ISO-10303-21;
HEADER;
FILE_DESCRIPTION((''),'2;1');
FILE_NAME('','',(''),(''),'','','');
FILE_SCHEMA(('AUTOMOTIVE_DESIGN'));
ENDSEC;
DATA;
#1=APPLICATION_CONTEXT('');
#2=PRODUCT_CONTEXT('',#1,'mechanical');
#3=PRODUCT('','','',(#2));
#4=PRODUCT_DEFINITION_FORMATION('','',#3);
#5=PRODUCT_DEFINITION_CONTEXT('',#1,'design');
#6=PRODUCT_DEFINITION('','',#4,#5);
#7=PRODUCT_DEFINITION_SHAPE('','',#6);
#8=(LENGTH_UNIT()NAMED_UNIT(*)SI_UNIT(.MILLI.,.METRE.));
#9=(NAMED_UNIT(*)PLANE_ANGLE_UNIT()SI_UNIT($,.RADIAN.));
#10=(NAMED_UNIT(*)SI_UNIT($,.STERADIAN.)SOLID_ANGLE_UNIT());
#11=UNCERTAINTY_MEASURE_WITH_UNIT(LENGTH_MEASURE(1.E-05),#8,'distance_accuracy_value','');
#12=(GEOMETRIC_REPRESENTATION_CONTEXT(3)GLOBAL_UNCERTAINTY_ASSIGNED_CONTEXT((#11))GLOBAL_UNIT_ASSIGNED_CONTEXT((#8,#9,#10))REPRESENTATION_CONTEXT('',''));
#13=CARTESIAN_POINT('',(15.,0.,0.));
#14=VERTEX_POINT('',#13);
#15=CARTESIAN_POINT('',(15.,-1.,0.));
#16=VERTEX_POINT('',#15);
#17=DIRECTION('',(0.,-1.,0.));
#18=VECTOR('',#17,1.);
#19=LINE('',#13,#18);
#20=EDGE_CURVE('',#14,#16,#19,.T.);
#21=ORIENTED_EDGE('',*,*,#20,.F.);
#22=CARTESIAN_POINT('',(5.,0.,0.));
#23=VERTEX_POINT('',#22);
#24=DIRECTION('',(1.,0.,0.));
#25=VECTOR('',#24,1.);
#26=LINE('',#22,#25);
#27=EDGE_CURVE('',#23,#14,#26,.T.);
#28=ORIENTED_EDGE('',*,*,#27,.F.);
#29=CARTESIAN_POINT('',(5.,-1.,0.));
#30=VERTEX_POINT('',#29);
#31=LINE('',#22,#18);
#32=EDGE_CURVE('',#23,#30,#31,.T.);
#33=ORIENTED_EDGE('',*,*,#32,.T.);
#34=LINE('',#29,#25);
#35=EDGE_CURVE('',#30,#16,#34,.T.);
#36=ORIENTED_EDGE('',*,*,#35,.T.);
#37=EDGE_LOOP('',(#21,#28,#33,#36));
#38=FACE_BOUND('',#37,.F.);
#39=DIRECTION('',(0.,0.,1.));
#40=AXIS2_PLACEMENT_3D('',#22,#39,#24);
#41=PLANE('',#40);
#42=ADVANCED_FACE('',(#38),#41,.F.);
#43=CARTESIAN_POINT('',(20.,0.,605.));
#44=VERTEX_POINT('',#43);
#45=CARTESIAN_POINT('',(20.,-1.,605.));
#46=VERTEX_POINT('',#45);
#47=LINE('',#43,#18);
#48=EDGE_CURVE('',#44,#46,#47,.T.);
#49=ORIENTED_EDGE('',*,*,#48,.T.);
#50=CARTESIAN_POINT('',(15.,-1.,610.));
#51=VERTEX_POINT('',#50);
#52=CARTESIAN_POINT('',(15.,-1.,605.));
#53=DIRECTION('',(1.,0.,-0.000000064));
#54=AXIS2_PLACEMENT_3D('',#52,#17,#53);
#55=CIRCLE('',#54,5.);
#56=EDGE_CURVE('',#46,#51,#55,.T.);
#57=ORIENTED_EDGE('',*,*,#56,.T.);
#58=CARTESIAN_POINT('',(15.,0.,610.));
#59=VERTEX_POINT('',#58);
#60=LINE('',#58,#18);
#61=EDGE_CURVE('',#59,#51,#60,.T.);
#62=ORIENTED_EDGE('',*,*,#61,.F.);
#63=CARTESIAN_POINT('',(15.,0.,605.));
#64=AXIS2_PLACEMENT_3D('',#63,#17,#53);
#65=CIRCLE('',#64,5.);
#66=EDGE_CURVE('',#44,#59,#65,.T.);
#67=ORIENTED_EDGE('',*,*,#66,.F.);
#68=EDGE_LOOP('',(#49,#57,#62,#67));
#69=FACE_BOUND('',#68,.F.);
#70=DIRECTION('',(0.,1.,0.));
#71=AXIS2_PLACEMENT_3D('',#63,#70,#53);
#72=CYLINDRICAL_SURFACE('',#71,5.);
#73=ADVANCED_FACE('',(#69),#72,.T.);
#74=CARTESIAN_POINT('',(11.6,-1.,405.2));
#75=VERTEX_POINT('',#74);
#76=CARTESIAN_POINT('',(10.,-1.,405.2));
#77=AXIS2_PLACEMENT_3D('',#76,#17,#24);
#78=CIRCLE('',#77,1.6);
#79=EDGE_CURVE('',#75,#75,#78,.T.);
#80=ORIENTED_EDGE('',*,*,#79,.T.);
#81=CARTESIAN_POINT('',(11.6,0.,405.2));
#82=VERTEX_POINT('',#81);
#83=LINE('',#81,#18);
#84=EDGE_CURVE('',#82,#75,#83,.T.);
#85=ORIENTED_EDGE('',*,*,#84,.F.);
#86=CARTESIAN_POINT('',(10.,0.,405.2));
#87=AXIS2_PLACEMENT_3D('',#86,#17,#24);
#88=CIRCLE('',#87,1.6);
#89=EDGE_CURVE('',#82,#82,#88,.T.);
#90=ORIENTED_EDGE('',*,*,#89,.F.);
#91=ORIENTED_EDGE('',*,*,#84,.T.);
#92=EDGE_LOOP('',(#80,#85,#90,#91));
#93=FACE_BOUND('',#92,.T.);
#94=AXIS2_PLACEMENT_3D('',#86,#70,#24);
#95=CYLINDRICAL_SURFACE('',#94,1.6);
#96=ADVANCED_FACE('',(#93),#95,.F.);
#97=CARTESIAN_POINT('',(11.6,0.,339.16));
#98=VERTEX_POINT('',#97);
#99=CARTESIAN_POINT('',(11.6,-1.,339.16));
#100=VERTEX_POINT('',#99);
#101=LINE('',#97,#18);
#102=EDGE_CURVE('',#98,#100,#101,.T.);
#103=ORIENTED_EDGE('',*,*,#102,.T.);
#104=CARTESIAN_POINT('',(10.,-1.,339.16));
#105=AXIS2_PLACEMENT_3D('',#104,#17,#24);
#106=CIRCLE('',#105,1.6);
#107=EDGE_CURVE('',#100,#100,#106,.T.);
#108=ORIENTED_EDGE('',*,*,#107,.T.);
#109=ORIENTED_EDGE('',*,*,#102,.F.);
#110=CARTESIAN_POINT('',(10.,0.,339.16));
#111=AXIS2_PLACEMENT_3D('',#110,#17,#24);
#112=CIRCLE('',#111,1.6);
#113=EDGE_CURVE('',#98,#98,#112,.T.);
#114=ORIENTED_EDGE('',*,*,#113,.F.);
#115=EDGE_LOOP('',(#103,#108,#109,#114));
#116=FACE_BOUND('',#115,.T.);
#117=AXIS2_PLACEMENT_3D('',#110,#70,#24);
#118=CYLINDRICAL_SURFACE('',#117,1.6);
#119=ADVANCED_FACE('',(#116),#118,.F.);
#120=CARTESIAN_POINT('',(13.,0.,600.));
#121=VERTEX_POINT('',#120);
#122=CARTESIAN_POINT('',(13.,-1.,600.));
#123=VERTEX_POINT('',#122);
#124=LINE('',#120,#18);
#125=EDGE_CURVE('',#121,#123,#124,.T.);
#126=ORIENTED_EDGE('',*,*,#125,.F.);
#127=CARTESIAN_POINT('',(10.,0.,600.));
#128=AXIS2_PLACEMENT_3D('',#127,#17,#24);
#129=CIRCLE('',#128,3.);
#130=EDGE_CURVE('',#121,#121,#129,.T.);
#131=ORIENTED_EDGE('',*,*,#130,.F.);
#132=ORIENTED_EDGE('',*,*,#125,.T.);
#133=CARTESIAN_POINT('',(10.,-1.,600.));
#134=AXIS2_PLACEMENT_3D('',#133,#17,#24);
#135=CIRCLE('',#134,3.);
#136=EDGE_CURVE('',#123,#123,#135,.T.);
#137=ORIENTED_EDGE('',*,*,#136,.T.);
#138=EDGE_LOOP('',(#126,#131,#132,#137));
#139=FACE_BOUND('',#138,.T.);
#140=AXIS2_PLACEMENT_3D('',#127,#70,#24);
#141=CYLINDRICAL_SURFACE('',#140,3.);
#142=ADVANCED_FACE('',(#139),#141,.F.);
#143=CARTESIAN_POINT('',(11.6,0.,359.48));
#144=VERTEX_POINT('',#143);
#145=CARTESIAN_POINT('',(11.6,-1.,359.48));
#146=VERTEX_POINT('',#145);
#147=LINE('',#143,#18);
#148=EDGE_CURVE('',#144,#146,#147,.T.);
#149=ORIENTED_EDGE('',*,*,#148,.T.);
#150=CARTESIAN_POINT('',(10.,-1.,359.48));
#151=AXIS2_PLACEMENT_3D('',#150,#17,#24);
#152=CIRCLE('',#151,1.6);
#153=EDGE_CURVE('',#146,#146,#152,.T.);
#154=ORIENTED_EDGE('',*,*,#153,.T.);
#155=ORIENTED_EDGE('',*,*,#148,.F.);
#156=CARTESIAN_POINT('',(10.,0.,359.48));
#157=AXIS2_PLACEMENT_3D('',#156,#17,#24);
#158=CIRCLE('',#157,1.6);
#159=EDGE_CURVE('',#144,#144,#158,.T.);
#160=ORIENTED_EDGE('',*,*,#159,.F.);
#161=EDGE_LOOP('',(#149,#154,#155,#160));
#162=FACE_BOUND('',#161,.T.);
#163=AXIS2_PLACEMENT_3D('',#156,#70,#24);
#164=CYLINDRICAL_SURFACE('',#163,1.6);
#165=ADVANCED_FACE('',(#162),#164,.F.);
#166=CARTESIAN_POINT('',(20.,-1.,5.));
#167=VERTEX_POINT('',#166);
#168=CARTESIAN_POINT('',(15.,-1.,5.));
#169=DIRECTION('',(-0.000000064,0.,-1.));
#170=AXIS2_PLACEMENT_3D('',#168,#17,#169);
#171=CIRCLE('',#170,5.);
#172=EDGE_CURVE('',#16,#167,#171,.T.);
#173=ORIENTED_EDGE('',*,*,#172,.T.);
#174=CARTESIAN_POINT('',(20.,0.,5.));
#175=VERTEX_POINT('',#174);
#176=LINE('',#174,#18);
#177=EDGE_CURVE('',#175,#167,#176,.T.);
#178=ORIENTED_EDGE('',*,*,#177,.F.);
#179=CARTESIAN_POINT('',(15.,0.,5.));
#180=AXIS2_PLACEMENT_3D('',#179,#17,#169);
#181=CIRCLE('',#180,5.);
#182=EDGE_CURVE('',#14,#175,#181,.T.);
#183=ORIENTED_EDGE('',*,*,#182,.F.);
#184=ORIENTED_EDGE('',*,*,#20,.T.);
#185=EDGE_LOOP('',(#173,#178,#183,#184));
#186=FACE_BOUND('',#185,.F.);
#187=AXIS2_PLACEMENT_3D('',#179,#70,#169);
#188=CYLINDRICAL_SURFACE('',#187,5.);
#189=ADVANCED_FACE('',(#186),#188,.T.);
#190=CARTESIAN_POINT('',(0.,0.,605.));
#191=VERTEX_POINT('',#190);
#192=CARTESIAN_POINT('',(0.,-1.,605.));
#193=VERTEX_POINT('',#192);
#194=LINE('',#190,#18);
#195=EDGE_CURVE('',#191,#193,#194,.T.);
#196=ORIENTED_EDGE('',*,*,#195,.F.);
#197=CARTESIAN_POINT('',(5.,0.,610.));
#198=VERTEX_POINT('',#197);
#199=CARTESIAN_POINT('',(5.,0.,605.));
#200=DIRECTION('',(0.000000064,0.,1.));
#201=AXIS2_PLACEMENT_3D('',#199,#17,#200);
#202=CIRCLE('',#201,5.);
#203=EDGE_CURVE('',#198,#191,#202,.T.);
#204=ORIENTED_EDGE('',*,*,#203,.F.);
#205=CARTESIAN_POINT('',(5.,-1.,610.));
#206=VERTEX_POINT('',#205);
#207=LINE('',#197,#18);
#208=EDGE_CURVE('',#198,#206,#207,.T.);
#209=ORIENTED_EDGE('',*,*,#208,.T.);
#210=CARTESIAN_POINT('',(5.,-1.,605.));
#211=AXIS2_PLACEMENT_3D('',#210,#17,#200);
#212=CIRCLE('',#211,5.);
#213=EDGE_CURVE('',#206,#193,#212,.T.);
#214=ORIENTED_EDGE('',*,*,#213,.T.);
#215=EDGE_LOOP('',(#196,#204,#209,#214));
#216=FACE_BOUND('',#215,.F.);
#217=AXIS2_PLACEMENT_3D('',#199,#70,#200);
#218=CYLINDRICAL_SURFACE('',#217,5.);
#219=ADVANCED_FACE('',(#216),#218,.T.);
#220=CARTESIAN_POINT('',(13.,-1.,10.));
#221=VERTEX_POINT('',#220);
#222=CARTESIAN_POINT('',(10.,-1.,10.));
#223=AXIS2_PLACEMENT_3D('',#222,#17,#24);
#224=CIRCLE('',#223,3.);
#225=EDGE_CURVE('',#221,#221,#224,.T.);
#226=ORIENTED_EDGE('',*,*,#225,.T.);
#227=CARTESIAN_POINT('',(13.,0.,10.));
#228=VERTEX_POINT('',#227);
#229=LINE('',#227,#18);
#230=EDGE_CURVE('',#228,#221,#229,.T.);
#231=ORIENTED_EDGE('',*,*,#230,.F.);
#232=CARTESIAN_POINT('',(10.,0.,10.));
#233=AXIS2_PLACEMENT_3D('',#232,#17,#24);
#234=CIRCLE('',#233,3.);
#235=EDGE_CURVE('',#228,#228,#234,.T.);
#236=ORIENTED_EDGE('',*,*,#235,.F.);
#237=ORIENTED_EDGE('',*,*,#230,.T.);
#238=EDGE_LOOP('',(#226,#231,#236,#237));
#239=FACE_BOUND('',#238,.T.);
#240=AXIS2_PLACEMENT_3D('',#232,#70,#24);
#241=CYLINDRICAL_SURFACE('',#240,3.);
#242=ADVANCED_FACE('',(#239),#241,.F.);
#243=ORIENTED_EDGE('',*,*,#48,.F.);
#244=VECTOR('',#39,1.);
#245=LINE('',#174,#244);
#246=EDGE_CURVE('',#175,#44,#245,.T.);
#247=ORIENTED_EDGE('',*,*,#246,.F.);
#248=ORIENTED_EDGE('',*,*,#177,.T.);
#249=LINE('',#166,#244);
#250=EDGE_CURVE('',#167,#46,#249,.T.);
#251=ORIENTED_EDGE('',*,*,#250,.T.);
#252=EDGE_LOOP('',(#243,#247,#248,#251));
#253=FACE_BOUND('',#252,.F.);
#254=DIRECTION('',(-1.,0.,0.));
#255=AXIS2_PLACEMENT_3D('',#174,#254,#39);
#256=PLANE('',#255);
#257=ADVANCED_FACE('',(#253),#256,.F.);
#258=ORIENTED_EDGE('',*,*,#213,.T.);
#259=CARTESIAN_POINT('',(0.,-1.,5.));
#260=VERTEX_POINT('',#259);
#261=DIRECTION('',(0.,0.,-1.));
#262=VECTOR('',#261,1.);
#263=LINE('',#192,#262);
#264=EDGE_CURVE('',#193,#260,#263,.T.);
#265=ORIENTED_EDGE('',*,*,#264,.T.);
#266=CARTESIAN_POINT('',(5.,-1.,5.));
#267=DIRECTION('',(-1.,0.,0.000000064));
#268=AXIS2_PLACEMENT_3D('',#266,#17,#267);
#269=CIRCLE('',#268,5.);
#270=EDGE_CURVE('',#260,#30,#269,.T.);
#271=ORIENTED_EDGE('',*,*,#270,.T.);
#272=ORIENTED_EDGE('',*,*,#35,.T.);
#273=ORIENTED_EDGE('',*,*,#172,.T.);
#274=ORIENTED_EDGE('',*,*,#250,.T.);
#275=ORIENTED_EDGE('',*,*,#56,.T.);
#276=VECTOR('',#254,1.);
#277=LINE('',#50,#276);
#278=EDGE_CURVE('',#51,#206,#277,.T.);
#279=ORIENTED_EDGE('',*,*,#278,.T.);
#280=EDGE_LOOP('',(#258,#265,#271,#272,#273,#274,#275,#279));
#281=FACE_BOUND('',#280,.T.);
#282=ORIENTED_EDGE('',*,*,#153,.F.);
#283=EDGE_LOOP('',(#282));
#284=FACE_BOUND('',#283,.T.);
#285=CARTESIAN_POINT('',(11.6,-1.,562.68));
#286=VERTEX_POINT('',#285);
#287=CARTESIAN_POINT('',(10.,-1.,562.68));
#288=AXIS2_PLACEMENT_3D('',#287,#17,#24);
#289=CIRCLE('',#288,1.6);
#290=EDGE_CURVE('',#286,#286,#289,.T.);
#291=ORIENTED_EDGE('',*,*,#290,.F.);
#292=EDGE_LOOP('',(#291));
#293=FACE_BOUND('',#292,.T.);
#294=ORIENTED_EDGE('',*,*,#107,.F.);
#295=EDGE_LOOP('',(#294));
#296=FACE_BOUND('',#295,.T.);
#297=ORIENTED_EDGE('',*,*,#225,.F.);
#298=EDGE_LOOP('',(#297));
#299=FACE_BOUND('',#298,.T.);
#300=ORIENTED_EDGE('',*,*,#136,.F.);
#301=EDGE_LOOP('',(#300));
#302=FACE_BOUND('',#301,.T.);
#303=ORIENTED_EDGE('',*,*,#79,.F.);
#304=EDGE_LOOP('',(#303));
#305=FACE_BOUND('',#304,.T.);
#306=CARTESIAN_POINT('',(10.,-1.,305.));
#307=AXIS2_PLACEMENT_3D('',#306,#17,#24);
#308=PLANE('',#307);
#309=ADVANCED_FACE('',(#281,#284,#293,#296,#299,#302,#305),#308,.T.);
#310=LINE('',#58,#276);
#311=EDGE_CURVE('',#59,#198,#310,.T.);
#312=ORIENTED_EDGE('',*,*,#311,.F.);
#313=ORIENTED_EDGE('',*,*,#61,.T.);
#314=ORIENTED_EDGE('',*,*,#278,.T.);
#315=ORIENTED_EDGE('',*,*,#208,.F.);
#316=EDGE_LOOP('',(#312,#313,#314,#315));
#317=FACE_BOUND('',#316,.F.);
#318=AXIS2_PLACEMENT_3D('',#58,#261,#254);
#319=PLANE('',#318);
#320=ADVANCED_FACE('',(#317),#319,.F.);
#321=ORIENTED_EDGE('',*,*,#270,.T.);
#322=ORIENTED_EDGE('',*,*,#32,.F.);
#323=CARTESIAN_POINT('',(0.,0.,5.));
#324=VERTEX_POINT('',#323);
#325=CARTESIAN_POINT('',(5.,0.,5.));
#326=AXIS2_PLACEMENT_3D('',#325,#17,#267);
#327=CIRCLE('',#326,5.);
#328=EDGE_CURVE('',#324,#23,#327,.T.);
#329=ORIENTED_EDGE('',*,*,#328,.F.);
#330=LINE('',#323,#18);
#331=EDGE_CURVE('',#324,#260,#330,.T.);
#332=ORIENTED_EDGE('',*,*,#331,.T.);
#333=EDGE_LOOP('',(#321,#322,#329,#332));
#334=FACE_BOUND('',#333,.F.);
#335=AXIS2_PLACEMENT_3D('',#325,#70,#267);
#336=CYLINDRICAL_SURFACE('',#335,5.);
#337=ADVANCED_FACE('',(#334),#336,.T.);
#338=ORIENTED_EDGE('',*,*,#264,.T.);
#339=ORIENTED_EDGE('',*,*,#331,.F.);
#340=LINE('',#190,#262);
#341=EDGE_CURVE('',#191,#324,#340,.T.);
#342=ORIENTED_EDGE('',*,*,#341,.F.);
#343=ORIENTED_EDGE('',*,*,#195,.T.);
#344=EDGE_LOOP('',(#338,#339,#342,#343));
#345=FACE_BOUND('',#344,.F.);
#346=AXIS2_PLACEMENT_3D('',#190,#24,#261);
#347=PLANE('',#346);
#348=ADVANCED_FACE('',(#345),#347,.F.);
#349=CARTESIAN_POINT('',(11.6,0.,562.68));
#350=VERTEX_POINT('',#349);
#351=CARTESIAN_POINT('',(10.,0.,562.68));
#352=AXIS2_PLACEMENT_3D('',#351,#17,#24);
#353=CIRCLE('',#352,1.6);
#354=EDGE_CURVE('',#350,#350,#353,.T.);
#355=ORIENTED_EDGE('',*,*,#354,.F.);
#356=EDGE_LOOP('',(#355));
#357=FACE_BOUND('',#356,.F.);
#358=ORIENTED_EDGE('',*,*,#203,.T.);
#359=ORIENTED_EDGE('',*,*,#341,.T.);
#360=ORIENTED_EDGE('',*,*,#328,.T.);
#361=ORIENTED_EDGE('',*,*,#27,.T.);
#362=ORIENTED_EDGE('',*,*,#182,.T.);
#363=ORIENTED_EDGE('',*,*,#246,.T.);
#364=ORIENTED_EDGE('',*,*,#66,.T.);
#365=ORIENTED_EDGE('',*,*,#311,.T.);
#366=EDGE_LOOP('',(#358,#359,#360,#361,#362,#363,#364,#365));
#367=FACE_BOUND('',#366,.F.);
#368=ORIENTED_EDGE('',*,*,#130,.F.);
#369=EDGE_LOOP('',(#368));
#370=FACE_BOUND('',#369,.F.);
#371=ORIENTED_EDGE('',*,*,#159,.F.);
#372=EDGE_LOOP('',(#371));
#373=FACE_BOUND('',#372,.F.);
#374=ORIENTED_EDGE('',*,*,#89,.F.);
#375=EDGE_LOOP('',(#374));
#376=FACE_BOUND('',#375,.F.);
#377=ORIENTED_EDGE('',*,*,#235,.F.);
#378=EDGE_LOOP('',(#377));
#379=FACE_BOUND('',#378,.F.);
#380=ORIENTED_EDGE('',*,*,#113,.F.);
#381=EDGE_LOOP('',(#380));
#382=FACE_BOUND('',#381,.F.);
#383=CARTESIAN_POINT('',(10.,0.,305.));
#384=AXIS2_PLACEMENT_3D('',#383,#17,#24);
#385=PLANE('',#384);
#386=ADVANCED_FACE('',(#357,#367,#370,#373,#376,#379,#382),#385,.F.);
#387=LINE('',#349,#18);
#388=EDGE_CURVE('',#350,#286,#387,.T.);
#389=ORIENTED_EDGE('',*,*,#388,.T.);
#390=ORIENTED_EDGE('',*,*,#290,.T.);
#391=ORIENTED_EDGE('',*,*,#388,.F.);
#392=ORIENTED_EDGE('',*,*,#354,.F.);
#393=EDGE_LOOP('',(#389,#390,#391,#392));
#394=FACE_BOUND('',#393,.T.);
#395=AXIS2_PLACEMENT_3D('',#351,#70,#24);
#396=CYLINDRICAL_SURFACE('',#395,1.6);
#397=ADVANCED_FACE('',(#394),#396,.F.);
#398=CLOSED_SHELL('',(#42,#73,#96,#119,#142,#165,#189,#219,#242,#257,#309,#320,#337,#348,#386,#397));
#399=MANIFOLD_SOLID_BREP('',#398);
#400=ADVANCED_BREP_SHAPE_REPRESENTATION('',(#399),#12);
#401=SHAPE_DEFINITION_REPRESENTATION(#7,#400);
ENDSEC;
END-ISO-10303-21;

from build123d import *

# Parameters (mm, degrees)
F0_R     = 3
F0_R_2   = 1.6
F1_DEPTH = 1


with BuildPart() as f1:
    # F0 (on Front) → F1 (new body)
    with BuildSketch(Plane.XZ):
        with BuildLine():
            ThreePointArc((0, 5), (1.464466, 1.464466), (5, 0))
            Line((5, 0), (15, 0))
            ThreePointArc((15, 0), (18.535534, 1.464466), (20, 5))
            Line((20, 5), (20, 605))
            ThreePointArc((20, 605), (18.535534, 608.535534), (15, 610))
            Line((15, 610), (5, 610))
            ThreePointArc((5, 610), (1.464466, 608.535534), (0, 605))
            Line((0, 605), (0, 5))
        make_face()
        with Locations((10, 10)):
            Circle(F0_R, mode=Mode.SUBTRACT)
        with Locations((10, 339.16)):
            Circle(F0_R_2, mode=Mode.SUBTRACT)
        with Locations((10, 359.48)):
            Circle(F0_R_2, mode=Mode.SUBTRACT)
        with Locations((10, 405.2)):
            Circle(F0_R_2, mode=Mode.SUBTRACT)
        with Locations((10, 562.68)):
            Circle(F0_R_2, mode=Mode.SUBTRACT)
        with Locations((10, 600)):
            Circle(F0_R, mode=Mode.SUBTRACT)
    extrude(amount=F1_DEPTH)


solid = f1.part
